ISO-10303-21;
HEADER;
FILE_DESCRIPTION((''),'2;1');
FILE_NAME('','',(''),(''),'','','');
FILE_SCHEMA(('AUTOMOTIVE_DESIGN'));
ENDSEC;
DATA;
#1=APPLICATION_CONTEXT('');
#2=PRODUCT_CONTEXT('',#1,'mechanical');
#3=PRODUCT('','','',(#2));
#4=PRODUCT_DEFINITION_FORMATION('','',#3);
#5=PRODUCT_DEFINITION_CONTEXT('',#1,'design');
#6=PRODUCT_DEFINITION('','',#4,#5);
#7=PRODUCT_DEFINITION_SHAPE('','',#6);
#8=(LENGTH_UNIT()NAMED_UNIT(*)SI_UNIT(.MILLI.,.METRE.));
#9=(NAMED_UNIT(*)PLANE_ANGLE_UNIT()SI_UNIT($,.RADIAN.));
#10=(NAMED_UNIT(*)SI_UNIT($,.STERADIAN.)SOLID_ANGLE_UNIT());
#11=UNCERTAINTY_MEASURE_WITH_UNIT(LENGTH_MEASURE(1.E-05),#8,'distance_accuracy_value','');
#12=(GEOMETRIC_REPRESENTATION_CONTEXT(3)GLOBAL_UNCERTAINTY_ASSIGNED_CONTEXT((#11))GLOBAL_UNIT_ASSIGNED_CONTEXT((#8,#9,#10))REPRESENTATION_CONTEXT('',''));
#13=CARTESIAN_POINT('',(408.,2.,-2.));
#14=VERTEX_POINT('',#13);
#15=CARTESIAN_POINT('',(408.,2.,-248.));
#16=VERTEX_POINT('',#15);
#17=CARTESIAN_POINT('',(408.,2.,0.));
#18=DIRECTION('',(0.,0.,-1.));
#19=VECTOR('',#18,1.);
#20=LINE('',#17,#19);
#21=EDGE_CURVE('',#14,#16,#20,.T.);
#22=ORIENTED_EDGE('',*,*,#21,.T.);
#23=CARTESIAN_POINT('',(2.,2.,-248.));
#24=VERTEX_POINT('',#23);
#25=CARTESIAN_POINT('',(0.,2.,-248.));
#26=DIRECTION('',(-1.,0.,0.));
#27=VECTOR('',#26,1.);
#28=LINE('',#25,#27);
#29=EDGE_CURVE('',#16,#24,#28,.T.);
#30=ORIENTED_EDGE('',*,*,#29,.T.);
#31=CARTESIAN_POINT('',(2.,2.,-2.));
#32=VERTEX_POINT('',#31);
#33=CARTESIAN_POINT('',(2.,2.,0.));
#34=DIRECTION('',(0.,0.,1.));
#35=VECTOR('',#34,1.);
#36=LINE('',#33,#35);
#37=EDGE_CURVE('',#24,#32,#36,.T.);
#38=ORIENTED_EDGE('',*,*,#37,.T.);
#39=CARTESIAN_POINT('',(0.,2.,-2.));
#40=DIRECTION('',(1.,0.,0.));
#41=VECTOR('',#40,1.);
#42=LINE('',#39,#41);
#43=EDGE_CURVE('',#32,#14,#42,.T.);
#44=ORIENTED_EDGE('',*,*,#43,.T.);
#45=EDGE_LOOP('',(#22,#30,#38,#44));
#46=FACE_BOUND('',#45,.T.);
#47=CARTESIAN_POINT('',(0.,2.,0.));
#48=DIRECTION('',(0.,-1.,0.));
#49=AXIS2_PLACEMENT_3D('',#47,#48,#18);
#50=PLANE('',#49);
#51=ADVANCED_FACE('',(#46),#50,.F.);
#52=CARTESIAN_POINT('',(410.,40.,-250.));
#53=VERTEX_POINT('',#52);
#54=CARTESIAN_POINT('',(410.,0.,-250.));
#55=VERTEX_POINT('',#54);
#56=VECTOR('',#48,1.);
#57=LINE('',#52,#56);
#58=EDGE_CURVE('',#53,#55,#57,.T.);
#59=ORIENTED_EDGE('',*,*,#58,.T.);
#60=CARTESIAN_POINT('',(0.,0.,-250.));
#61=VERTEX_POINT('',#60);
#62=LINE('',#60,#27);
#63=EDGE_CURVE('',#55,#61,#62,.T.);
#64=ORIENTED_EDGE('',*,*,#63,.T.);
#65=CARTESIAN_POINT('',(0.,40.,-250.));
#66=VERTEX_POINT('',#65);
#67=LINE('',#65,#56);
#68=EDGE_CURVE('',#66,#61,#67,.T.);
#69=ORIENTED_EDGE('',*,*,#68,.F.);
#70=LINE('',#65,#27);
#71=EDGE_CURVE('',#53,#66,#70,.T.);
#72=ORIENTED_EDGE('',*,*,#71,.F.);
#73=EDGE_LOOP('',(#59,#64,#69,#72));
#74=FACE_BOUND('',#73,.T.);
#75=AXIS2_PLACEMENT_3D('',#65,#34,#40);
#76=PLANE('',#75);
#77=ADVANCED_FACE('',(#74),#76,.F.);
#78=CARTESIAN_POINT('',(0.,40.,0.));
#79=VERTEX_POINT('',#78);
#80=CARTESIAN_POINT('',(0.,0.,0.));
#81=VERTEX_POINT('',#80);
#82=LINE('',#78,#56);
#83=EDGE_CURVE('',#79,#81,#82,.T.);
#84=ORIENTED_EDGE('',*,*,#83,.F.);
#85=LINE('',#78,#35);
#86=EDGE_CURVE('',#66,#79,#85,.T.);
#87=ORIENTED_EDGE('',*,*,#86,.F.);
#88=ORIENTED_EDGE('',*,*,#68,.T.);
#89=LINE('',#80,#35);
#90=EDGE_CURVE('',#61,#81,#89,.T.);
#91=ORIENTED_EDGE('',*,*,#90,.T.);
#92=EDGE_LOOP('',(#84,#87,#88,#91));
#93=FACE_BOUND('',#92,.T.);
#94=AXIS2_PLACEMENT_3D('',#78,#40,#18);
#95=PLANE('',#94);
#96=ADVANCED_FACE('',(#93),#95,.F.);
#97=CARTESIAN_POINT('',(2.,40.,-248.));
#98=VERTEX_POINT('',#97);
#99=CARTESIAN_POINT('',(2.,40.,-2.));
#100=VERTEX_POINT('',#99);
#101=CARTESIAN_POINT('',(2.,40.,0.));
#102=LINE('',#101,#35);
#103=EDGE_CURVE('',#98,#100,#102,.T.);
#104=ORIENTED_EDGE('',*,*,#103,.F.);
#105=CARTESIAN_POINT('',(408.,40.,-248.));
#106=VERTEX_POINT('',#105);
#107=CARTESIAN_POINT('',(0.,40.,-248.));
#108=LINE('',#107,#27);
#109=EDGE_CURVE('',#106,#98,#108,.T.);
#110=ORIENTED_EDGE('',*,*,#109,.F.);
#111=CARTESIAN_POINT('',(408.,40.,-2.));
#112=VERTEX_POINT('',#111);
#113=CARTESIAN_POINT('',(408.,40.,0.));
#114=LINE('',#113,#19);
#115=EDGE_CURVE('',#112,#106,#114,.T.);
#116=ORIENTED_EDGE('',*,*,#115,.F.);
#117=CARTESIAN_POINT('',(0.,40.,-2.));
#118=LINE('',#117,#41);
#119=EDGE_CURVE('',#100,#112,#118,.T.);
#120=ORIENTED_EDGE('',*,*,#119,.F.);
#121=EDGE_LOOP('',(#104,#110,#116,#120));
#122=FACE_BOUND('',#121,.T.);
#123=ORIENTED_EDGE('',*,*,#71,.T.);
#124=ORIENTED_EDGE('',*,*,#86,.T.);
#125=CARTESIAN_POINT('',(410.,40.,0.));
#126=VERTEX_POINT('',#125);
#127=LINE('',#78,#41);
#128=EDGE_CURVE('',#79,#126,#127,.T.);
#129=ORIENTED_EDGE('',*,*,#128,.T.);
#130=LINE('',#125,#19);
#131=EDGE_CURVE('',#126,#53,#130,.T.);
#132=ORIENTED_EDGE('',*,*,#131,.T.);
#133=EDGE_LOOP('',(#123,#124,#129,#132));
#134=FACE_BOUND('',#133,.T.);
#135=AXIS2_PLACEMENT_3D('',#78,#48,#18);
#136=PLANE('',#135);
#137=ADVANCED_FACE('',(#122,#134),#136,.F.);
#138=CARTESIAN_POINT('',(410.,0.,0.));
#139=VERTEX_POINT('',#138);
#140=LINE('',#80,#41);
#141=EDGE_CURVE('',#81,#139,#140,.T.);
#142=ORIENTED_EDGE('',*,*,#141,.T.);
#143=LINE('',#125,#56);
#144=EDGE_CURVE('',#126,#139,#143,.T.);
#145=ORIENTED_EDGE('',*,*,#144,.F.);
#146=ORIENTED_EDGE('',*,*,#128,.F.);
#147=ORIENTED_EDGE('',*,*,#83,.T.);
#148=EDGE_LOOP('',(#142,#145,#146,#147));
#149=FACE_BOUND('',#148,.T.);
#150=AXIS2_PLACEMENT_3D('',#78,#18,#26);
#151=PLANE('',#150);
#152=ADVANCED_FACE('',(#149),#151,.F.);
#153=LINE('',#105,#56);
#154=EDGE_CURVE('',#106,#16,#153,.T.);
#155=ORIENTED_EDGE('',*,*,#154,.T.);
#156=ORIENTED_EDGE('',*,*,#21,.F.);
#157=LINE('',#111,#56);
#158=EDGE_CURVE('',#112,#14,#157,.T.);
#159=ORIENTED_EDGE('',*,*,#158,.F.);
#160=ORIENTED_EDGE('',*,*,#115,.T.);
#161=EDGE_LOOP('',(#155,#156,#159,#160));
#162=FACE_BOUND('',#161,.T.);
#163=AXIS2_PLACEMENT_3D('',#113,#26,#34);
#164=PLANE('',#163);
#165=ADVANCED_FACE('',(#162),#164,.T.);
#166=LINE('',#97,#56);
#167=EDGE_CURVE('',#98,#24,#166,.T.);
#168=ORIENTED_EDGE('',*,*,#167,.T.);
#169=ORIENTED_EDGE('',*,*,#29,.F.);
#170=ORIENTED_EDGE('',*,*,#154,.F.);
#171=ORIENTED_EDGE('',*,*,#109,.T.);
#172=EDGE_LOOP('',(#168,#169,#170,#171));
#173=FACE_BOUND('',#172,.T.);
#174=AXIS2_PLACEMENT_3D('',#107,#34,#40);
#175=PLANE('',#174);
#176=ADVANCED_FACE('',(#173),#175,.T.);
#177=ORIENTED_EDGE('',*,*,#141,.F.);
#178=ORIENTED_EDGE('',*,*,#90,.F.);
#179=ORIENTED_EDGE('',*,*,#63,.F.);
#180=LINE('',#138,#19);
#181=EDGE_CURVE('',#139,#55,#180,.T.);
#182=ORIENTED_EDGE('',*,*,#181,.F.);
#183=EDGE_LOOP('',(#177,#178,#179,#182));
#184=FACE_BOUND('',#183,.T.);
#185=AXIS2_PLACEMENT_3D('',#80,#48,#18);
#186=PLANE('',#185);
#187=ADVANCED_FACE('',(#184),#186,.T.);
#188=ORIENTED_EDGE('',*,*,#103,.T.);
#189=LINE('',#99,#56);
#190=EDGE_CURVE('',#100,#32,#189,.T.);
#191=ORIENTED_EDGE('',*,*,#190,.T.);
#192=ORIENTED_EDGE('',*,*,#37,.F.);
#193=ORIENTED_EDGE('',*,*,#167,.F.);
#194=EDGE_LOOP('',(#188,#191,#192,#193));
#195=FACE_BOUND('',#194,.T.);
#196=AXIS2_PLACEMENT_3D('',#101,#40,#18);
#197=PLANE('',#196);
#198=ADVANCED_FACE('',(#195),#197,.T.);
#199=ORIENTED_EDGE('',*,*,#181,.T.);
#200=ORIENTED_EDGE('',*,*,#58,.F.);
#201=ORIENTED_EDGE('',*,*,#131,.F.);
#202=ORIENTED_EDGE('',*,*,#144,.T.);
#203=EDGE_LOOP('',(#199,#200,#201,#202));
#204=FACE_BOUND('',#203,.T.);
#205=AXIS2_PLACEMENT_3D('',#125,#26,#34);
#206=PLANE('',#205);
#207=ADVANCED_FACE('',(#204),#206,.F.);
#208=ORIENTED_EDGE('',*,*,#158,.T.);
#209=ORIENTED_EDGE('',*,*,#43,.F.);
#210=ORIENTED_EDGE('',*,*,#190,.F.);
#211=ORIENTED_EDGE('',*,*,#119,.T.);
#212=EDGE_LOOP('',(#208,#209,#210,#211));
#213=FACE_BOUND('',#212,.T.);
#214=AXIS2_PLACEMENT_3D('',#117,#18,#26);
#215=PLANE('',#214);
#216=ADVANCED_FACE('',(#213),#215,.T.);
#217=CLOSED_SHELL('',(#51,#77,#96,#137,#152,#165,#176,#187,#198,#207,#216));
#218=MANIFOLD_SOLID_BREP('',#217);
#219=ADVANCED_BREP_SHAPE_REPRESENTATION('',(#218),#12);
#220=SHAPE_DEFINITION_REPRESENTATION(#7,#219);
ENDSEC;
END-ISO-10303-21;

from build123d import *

# Parameters (mm, degrees)
SKETCH_1_W      = 410
SKETCH_1_H      = 250
EXTRUDE_1_DEPTH = 40
SHELL_1_T       = -2


with BuildPart() as part:
    # 草图1 → 凸台-拉伸1 (new body)
    with BuildSketch(Plane(origin=(0, 0, 0), x_dir=(1, 0, 0), z_dir=(0, 1, 0))):
        with Locations((205, 125)):
            Rectangle(SKETCH_1_W, SKETCH_1_H)
    extrude(amount=EXTRUDE_1_DEPTH)

    # 抽壳1
    shell_1_openings = [part.faces().sort_by_distance(p)[0] for p in [
        (205, 40, -125),
    ]]
    offset(amount=SHELL_1_T, openings=shell_1_openings, kind=Kind.INTERSECTION)


solid = part.part
